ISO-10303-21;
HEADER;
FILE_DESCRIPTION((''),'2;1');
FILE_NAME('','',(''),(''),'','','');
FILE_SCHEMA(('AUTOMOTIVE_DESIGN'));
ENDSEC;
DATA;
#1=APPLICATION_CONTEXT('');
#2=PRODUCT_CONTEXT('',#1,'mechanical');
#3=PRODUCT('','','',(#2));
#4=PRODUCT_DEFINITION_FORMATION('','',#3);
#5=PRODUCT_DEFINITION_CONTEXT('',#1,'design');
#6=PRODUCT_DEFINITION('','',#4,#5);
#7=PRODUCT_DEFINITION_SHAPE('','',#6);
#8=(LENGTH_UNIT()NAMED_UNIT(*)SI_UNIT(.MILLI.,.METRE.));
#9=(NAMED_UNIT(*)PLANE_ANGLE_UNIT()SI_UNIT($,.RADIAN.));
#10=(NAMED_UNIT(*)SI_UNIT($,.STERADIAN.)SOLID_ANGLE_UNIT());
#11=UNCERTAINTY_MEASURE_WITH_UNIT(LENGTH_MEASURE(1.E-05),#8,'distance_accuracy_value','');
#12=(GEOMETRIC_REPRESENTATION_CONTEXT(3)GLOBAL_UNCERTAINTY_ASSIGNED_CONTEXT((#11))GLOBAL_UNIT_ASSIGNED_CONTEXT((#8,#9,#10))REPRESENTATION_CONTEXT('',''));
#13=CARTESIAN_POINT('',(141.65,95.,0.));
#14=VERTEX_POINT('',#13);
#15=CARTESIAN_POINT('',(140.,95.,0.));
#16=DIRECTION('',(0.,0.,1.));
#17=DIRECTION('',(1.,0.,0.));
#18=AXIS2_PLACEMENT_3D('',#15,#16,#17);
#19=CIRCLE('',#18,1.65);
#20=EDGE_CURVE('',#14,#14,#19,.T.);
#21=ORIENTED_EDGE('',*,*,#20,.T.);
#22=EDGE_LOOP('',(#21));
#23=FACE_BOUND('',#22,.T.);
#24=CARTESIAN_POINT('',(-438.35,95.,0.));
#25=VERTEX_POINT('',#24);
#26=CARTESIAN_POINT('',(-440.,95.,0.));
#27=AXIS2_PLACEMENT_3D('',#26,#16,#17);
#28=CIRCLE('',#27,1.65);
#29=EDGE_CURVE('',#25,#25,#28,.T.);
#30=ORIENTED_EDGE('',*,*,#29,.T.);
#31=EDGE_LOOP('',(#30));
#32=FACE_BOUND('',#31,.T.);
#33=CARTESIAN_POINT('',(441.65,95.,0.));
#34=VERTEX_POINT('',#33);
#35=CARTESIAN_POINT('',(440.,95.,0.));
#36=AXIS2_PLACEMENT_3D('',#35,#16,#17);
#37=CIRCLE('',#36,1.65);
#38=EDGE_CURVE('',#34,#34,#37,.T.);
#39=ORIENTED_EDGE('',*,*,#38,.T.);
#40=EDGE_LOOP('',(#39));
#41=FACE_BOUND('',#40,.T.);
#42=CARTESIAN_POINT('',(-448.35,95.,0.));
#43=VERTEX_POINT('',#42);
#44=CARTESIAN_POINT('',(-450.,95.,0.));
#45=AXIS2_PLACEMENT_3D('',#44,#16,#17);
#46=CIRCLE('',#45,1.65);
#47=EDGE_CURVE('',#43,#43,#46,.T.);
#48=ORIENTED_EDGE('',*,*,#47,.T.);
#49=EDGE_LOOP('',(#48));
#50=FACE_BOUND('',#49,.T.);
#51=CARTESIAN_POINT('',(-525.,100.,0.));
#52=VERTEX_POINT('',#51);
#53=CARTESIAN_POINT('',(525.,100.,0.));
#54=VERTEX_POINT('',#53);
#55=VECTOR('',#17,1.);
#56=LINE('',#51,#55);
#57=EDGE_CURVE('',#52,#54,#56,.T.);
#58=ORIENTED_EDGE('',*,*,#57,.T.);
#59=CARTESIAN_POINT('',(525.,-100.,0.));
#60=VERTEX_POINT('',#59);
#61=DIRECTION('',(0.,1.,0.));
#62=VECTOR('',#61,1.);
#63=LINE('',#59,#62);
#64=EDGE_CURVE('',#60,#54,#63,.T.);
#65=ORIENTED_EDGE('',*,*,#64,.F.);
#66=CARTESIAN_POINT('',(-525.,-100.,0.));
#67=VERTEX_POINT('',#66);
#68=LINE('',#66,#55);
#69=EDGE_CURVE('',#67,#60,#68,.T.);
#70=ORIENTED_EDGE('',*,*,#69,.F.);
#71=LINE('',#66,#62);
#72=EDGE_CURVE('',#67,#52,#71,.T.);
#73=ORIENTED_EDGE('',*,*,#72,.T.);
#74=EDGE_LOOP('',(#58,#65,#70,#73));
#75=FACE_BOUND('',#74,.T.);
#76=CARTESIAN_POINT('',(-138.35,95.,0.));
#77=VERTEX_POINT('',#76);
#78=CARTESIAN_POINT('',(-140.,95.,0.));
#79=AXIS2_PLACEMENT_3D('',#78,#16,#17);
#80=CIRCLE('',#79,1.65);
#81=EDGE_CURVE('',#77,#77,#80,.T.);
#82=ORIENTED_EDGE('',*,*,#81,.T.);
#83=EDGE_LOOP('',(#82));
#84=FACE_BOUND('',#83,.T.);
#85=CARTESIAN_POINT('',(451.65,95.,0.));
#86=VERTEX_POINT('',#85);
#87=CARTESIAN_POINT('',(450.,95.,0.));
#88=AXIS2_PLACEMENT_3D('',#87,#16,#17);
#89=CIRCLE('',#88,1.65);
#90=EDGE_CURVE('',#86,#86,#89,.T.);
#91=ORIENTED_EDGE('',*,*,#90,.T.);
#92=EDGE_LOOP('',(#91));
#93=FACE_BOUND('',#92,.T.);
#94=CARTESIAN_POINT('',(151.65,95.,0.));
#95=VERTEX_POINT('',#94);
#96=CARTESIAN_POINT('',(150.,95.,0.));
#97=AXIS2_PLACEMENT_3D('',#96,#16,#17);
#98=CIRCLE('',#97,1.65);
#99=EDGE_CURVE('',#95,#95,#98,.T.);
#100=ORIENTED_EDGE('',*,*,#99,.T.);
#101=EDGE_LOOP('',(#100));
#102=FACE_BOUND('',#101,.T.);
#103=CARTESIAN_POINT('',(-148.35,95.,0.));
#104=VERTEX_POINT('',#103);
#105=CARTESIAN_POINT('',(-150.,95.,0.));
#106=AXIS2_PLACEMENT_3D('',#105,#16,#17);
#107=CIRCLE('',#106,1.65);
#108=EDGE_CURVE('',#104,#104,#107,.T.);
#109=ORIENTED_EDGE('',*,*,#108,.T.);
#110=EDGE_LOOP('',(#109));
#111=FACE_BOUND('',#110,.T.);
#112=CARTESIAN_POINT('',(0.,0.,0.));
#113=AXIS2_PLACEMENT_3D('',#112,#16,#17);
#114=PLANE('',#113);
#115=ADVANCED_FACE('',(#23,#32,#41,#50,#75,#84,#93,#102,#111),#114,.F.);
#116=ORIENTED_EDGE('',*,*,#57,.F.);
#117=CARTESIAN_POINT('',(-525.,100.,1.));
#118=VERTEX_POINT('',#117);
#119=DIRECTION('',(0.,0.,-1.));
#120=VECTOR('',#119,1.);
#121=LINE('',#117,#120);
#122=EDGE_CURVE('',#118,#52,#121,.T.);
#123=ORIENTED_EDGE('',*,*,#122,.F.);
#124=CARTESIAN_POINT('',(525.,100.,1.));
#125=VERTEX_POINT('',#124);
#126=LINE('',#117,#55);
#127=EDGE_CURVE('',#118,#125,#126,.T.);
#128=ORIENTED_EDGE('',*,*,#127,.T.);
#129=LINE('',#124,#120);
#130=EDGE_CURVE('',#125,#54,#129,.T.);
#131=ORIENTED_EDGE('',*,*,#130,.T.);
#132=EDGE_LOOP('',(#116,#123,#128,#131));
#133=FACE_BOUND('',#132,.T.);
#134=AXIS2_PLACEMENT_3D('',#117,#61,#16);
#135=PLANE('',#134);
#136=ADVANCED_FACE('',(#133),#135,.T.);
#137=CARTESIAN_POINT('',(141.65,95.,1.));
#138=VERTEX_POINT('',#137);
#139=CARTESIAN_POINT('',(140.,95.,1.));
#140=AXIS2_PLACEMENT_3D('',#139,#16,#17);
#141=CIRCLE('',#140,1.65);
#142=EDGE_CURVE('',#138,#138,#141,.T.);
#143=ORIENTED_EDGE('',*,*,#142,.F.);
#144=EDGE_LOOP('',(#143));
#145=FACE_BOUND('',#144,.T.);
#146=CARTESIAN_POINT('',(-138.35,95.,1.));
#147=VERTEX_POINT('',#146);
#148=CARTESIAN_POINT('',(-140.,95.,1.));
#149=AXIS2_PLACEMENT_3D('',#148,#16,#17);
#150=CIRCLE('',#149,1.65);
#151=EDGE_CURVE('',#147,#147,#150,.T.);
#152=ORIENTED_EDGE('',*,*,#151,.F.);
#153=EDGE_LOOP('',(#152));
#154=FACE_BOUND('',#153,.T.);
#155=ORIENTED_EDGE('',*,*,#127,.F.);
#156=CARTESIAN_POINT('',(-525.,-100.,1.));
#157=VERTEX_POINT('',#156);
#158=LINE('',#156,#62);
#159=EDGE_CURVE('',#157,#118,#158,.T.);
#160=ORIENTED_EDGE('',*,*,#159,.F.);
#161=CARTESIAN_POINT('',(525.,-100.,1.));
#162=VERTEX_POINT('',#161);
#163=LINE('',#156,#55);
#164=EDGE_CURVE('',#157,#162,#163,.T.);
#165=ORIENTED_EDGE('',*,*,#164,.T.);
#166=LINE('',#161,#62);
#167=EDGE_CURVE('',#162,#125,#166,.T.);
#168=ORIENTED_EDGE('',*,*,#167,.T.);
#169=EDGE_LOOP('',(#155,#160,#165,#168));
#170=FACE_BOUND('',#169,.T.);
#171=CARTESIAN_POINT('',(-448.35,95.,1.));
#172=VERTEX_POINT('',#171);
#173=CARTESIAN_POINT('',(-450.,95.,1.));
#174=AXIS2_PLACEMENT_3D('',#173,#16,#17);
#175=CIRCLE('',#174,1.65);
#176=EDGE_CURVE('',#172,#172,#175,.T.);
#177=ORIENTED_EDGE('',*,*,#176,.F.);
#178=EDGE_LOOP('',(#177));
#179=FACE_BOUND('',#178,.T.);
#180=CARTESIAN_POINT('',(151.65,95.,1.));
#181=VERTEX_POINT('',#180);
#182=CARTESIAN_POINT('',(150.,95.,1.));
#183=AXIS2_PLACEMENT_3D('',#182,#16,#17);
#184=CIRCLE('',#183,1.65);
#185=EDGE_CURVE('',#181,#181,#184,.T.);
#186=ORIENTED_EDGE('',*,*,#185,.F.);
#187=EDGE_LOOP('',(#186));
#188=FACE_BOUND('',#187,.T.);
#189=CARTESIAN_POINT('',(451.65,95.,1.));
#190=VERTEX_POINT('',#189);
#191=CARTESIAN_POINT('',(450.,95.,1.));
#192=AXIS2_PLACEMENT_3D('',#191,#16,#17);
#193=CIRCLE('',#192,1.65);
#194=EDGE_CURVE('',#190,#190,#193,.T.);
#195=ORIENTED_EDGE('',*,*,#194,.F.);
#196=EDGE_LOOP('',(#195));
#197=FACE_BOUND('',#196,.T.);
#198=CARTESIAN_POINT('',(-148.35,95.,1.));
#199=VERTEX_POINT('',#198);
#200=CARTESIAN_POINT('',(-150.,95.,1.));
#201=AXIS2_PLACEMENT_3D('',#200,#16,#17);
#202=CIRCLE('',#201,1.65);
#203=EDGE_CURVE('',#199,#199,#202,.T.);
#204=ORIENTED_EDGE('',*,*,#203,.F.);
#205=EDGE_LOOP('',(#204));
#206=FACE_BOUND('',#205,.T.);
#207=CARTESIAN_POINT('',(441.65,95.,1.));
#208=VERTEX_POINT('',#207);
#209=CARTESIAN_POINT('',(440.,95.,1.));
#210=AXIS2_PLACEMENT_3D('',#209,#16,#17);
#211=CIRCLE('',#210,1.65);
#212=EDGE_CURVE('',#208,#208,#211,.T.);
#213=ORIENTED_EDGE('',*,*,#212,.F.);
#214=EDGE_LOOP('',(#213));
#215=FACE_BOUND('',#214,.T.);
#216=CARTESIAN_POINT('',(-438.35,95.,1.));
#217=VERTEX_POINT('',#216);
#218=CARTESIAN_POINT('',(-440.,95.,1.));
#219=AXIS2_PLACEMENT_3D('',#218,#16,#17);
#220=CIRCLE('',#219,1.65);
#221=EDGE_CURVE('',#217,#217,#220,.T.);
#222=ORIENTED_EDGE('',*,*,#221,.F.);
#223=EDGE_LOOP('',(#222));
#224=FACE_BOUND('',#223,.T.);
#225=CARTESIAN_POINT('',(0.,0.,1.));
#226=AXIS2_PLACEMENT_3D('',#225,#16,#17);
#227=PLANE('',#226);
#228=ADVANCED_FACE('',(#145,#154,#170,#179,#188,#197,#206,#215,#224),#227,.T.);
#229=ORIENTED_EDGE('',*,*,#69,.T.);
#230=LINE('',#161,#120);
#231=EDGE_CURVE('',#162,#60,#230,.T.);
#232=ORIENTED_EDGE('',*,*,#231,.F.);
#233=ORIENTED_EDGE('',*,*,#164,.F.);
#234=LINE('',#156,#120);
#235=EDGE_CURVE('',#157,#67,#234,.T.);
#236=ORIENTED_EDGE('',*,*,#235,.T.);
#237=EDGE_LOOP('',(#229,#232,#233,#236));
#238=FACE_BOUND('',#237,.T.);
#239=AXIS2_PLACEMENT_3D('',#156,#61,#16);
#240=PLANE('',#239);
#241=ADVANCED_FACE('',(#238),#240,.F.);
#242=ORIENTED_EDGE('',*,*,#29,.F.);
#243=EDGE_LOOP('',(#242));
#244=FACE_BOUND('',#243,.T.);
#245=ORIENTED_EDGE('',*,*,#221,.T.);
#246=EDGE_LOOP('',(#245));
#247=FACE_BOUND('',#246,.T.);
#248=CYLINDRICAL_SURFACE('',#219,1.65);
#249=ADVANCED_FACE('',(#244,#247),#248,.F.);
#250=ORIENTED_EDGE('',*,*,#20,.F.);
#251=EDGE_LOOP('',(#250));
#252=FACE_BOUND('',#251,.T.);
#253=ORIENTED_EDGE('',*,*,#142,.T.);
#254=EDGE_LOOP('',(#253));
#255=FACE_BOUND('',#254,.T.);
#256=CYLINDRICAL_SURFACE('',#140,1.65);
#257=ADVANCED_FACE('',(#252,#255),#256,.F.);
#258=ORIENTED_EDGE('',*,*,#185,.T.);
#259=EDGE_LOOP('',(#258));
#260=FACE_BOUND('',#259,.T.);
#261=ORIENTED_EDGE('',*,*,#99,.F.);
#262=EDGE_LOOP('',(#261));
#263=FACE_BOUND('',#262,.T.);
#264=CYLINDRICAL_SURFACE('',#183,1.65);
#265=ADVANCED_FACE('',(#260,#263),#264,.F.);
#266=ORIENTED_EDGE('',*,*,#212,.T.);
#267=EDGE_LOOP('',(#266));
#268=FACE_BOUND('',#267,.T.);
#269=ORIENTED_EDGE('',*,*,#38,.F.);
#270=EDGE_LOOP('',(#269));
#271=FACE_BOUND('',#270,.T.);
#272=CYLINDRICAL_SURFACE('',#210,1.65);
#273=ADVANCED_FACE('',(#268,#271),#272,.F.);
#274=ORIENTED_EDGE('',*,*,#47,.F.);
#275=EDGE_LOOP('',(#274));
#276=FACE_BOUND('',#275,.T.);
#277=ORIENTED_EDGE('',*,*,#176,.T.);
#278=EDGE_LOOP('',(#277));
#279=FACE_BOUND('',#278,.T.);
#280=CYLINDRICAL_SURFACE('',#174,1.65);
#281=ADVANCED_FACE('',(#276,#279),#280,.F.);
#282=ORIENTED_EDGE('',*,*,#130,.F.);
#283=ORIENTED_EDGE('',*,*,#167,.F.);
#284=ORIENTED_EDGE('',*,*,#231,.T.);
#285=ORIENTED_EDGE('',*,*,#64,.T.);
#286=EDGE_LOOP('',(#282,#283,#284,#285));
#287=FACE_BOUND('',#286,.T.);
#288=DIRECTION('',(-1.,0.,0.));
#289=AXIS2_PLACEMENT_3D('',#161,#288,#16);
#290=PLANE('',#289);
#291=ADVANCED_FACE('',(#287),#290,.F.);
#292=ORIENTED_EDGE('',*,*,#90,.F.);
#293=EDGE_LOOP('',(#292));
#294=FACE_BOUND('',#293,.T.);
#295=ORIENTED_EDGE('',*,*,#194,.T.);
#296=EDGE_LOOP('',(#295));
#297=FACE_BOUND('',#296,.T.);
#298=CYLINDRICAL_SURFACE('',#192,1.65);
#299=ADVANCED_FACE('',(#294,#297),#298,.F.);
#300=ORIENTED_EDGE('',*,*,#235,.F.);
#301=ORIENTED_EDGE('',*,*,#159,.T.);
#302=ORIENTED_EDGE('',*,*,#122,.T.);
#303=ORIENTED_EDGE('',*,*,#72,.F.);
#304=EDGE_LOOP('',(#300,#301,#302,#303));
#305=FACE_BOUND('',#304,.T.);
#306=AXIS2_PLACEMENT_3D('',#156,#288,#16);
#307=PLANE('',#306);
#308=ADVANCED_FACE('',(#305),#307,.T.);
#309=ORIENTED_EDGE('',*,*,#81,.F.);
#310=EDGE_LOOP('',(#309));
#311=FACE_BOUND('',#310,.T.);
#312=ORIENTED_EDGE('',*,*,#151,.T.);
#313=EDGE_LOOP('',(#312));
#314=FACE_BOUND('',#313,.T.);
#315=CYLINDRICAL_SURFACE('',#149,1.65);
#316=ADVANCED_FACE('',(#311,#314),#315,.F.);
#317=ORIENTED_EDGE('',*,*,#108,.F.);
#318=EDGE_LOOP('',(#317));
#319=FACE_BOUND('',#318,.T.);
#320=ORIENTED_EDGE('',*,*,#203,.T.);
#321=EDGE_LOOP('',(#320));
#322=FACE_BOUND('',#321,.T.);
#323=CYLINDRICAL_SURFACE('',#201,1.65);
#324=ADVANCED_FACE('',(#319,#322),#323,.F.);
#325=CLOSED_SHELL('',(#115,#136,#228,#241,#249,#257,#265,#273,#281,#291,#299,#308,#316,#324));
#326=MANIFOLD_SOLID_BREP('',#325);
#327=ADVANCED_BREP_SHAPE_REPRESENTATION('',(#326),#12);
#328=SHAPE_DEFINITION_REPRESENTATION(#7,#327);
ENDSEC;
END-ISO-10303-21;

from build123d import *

# Parameters (mm, degrees)
SKETCH1_W             = 1050
SKETCH1_H             = 200
BOSS_EXTRUDE1_DEPTH   = 1
M4X0_7_TAPPED_HOLE1_D = 3.3


with BuildPart() as part:
    # Sketch1 → Boss-Extrude1 (new body)
    with BuildSketch(Plane.XY):
        Rectangle(SKETCH1_W, SKETCH1_H)
    extrude(amount=BOSS_EXTRUDE1_DEPTH)

    # M4x0.7 Tapped Hole1 (through all)
    with Locations(Plane.XY.offset(1)):
        with Locations((-450, 95), (-440, 95), (-150, 95), (-140, 95)):
            m4x0_7_tapped_hole1 = Hole(M4X0_7_TAPPED_HOLE1_D / 2)

    # Mirror1: M4x0.7 Tapped Hole1 across plane
    add(m4x0_7_tapped_hole1.mirror(Plane(origin=(0, 0, 0), x_dir=(0, 0, 1), z_dir=(1, 0, 0))), mode=Mode.SUBTRACT)


solid = part.part
